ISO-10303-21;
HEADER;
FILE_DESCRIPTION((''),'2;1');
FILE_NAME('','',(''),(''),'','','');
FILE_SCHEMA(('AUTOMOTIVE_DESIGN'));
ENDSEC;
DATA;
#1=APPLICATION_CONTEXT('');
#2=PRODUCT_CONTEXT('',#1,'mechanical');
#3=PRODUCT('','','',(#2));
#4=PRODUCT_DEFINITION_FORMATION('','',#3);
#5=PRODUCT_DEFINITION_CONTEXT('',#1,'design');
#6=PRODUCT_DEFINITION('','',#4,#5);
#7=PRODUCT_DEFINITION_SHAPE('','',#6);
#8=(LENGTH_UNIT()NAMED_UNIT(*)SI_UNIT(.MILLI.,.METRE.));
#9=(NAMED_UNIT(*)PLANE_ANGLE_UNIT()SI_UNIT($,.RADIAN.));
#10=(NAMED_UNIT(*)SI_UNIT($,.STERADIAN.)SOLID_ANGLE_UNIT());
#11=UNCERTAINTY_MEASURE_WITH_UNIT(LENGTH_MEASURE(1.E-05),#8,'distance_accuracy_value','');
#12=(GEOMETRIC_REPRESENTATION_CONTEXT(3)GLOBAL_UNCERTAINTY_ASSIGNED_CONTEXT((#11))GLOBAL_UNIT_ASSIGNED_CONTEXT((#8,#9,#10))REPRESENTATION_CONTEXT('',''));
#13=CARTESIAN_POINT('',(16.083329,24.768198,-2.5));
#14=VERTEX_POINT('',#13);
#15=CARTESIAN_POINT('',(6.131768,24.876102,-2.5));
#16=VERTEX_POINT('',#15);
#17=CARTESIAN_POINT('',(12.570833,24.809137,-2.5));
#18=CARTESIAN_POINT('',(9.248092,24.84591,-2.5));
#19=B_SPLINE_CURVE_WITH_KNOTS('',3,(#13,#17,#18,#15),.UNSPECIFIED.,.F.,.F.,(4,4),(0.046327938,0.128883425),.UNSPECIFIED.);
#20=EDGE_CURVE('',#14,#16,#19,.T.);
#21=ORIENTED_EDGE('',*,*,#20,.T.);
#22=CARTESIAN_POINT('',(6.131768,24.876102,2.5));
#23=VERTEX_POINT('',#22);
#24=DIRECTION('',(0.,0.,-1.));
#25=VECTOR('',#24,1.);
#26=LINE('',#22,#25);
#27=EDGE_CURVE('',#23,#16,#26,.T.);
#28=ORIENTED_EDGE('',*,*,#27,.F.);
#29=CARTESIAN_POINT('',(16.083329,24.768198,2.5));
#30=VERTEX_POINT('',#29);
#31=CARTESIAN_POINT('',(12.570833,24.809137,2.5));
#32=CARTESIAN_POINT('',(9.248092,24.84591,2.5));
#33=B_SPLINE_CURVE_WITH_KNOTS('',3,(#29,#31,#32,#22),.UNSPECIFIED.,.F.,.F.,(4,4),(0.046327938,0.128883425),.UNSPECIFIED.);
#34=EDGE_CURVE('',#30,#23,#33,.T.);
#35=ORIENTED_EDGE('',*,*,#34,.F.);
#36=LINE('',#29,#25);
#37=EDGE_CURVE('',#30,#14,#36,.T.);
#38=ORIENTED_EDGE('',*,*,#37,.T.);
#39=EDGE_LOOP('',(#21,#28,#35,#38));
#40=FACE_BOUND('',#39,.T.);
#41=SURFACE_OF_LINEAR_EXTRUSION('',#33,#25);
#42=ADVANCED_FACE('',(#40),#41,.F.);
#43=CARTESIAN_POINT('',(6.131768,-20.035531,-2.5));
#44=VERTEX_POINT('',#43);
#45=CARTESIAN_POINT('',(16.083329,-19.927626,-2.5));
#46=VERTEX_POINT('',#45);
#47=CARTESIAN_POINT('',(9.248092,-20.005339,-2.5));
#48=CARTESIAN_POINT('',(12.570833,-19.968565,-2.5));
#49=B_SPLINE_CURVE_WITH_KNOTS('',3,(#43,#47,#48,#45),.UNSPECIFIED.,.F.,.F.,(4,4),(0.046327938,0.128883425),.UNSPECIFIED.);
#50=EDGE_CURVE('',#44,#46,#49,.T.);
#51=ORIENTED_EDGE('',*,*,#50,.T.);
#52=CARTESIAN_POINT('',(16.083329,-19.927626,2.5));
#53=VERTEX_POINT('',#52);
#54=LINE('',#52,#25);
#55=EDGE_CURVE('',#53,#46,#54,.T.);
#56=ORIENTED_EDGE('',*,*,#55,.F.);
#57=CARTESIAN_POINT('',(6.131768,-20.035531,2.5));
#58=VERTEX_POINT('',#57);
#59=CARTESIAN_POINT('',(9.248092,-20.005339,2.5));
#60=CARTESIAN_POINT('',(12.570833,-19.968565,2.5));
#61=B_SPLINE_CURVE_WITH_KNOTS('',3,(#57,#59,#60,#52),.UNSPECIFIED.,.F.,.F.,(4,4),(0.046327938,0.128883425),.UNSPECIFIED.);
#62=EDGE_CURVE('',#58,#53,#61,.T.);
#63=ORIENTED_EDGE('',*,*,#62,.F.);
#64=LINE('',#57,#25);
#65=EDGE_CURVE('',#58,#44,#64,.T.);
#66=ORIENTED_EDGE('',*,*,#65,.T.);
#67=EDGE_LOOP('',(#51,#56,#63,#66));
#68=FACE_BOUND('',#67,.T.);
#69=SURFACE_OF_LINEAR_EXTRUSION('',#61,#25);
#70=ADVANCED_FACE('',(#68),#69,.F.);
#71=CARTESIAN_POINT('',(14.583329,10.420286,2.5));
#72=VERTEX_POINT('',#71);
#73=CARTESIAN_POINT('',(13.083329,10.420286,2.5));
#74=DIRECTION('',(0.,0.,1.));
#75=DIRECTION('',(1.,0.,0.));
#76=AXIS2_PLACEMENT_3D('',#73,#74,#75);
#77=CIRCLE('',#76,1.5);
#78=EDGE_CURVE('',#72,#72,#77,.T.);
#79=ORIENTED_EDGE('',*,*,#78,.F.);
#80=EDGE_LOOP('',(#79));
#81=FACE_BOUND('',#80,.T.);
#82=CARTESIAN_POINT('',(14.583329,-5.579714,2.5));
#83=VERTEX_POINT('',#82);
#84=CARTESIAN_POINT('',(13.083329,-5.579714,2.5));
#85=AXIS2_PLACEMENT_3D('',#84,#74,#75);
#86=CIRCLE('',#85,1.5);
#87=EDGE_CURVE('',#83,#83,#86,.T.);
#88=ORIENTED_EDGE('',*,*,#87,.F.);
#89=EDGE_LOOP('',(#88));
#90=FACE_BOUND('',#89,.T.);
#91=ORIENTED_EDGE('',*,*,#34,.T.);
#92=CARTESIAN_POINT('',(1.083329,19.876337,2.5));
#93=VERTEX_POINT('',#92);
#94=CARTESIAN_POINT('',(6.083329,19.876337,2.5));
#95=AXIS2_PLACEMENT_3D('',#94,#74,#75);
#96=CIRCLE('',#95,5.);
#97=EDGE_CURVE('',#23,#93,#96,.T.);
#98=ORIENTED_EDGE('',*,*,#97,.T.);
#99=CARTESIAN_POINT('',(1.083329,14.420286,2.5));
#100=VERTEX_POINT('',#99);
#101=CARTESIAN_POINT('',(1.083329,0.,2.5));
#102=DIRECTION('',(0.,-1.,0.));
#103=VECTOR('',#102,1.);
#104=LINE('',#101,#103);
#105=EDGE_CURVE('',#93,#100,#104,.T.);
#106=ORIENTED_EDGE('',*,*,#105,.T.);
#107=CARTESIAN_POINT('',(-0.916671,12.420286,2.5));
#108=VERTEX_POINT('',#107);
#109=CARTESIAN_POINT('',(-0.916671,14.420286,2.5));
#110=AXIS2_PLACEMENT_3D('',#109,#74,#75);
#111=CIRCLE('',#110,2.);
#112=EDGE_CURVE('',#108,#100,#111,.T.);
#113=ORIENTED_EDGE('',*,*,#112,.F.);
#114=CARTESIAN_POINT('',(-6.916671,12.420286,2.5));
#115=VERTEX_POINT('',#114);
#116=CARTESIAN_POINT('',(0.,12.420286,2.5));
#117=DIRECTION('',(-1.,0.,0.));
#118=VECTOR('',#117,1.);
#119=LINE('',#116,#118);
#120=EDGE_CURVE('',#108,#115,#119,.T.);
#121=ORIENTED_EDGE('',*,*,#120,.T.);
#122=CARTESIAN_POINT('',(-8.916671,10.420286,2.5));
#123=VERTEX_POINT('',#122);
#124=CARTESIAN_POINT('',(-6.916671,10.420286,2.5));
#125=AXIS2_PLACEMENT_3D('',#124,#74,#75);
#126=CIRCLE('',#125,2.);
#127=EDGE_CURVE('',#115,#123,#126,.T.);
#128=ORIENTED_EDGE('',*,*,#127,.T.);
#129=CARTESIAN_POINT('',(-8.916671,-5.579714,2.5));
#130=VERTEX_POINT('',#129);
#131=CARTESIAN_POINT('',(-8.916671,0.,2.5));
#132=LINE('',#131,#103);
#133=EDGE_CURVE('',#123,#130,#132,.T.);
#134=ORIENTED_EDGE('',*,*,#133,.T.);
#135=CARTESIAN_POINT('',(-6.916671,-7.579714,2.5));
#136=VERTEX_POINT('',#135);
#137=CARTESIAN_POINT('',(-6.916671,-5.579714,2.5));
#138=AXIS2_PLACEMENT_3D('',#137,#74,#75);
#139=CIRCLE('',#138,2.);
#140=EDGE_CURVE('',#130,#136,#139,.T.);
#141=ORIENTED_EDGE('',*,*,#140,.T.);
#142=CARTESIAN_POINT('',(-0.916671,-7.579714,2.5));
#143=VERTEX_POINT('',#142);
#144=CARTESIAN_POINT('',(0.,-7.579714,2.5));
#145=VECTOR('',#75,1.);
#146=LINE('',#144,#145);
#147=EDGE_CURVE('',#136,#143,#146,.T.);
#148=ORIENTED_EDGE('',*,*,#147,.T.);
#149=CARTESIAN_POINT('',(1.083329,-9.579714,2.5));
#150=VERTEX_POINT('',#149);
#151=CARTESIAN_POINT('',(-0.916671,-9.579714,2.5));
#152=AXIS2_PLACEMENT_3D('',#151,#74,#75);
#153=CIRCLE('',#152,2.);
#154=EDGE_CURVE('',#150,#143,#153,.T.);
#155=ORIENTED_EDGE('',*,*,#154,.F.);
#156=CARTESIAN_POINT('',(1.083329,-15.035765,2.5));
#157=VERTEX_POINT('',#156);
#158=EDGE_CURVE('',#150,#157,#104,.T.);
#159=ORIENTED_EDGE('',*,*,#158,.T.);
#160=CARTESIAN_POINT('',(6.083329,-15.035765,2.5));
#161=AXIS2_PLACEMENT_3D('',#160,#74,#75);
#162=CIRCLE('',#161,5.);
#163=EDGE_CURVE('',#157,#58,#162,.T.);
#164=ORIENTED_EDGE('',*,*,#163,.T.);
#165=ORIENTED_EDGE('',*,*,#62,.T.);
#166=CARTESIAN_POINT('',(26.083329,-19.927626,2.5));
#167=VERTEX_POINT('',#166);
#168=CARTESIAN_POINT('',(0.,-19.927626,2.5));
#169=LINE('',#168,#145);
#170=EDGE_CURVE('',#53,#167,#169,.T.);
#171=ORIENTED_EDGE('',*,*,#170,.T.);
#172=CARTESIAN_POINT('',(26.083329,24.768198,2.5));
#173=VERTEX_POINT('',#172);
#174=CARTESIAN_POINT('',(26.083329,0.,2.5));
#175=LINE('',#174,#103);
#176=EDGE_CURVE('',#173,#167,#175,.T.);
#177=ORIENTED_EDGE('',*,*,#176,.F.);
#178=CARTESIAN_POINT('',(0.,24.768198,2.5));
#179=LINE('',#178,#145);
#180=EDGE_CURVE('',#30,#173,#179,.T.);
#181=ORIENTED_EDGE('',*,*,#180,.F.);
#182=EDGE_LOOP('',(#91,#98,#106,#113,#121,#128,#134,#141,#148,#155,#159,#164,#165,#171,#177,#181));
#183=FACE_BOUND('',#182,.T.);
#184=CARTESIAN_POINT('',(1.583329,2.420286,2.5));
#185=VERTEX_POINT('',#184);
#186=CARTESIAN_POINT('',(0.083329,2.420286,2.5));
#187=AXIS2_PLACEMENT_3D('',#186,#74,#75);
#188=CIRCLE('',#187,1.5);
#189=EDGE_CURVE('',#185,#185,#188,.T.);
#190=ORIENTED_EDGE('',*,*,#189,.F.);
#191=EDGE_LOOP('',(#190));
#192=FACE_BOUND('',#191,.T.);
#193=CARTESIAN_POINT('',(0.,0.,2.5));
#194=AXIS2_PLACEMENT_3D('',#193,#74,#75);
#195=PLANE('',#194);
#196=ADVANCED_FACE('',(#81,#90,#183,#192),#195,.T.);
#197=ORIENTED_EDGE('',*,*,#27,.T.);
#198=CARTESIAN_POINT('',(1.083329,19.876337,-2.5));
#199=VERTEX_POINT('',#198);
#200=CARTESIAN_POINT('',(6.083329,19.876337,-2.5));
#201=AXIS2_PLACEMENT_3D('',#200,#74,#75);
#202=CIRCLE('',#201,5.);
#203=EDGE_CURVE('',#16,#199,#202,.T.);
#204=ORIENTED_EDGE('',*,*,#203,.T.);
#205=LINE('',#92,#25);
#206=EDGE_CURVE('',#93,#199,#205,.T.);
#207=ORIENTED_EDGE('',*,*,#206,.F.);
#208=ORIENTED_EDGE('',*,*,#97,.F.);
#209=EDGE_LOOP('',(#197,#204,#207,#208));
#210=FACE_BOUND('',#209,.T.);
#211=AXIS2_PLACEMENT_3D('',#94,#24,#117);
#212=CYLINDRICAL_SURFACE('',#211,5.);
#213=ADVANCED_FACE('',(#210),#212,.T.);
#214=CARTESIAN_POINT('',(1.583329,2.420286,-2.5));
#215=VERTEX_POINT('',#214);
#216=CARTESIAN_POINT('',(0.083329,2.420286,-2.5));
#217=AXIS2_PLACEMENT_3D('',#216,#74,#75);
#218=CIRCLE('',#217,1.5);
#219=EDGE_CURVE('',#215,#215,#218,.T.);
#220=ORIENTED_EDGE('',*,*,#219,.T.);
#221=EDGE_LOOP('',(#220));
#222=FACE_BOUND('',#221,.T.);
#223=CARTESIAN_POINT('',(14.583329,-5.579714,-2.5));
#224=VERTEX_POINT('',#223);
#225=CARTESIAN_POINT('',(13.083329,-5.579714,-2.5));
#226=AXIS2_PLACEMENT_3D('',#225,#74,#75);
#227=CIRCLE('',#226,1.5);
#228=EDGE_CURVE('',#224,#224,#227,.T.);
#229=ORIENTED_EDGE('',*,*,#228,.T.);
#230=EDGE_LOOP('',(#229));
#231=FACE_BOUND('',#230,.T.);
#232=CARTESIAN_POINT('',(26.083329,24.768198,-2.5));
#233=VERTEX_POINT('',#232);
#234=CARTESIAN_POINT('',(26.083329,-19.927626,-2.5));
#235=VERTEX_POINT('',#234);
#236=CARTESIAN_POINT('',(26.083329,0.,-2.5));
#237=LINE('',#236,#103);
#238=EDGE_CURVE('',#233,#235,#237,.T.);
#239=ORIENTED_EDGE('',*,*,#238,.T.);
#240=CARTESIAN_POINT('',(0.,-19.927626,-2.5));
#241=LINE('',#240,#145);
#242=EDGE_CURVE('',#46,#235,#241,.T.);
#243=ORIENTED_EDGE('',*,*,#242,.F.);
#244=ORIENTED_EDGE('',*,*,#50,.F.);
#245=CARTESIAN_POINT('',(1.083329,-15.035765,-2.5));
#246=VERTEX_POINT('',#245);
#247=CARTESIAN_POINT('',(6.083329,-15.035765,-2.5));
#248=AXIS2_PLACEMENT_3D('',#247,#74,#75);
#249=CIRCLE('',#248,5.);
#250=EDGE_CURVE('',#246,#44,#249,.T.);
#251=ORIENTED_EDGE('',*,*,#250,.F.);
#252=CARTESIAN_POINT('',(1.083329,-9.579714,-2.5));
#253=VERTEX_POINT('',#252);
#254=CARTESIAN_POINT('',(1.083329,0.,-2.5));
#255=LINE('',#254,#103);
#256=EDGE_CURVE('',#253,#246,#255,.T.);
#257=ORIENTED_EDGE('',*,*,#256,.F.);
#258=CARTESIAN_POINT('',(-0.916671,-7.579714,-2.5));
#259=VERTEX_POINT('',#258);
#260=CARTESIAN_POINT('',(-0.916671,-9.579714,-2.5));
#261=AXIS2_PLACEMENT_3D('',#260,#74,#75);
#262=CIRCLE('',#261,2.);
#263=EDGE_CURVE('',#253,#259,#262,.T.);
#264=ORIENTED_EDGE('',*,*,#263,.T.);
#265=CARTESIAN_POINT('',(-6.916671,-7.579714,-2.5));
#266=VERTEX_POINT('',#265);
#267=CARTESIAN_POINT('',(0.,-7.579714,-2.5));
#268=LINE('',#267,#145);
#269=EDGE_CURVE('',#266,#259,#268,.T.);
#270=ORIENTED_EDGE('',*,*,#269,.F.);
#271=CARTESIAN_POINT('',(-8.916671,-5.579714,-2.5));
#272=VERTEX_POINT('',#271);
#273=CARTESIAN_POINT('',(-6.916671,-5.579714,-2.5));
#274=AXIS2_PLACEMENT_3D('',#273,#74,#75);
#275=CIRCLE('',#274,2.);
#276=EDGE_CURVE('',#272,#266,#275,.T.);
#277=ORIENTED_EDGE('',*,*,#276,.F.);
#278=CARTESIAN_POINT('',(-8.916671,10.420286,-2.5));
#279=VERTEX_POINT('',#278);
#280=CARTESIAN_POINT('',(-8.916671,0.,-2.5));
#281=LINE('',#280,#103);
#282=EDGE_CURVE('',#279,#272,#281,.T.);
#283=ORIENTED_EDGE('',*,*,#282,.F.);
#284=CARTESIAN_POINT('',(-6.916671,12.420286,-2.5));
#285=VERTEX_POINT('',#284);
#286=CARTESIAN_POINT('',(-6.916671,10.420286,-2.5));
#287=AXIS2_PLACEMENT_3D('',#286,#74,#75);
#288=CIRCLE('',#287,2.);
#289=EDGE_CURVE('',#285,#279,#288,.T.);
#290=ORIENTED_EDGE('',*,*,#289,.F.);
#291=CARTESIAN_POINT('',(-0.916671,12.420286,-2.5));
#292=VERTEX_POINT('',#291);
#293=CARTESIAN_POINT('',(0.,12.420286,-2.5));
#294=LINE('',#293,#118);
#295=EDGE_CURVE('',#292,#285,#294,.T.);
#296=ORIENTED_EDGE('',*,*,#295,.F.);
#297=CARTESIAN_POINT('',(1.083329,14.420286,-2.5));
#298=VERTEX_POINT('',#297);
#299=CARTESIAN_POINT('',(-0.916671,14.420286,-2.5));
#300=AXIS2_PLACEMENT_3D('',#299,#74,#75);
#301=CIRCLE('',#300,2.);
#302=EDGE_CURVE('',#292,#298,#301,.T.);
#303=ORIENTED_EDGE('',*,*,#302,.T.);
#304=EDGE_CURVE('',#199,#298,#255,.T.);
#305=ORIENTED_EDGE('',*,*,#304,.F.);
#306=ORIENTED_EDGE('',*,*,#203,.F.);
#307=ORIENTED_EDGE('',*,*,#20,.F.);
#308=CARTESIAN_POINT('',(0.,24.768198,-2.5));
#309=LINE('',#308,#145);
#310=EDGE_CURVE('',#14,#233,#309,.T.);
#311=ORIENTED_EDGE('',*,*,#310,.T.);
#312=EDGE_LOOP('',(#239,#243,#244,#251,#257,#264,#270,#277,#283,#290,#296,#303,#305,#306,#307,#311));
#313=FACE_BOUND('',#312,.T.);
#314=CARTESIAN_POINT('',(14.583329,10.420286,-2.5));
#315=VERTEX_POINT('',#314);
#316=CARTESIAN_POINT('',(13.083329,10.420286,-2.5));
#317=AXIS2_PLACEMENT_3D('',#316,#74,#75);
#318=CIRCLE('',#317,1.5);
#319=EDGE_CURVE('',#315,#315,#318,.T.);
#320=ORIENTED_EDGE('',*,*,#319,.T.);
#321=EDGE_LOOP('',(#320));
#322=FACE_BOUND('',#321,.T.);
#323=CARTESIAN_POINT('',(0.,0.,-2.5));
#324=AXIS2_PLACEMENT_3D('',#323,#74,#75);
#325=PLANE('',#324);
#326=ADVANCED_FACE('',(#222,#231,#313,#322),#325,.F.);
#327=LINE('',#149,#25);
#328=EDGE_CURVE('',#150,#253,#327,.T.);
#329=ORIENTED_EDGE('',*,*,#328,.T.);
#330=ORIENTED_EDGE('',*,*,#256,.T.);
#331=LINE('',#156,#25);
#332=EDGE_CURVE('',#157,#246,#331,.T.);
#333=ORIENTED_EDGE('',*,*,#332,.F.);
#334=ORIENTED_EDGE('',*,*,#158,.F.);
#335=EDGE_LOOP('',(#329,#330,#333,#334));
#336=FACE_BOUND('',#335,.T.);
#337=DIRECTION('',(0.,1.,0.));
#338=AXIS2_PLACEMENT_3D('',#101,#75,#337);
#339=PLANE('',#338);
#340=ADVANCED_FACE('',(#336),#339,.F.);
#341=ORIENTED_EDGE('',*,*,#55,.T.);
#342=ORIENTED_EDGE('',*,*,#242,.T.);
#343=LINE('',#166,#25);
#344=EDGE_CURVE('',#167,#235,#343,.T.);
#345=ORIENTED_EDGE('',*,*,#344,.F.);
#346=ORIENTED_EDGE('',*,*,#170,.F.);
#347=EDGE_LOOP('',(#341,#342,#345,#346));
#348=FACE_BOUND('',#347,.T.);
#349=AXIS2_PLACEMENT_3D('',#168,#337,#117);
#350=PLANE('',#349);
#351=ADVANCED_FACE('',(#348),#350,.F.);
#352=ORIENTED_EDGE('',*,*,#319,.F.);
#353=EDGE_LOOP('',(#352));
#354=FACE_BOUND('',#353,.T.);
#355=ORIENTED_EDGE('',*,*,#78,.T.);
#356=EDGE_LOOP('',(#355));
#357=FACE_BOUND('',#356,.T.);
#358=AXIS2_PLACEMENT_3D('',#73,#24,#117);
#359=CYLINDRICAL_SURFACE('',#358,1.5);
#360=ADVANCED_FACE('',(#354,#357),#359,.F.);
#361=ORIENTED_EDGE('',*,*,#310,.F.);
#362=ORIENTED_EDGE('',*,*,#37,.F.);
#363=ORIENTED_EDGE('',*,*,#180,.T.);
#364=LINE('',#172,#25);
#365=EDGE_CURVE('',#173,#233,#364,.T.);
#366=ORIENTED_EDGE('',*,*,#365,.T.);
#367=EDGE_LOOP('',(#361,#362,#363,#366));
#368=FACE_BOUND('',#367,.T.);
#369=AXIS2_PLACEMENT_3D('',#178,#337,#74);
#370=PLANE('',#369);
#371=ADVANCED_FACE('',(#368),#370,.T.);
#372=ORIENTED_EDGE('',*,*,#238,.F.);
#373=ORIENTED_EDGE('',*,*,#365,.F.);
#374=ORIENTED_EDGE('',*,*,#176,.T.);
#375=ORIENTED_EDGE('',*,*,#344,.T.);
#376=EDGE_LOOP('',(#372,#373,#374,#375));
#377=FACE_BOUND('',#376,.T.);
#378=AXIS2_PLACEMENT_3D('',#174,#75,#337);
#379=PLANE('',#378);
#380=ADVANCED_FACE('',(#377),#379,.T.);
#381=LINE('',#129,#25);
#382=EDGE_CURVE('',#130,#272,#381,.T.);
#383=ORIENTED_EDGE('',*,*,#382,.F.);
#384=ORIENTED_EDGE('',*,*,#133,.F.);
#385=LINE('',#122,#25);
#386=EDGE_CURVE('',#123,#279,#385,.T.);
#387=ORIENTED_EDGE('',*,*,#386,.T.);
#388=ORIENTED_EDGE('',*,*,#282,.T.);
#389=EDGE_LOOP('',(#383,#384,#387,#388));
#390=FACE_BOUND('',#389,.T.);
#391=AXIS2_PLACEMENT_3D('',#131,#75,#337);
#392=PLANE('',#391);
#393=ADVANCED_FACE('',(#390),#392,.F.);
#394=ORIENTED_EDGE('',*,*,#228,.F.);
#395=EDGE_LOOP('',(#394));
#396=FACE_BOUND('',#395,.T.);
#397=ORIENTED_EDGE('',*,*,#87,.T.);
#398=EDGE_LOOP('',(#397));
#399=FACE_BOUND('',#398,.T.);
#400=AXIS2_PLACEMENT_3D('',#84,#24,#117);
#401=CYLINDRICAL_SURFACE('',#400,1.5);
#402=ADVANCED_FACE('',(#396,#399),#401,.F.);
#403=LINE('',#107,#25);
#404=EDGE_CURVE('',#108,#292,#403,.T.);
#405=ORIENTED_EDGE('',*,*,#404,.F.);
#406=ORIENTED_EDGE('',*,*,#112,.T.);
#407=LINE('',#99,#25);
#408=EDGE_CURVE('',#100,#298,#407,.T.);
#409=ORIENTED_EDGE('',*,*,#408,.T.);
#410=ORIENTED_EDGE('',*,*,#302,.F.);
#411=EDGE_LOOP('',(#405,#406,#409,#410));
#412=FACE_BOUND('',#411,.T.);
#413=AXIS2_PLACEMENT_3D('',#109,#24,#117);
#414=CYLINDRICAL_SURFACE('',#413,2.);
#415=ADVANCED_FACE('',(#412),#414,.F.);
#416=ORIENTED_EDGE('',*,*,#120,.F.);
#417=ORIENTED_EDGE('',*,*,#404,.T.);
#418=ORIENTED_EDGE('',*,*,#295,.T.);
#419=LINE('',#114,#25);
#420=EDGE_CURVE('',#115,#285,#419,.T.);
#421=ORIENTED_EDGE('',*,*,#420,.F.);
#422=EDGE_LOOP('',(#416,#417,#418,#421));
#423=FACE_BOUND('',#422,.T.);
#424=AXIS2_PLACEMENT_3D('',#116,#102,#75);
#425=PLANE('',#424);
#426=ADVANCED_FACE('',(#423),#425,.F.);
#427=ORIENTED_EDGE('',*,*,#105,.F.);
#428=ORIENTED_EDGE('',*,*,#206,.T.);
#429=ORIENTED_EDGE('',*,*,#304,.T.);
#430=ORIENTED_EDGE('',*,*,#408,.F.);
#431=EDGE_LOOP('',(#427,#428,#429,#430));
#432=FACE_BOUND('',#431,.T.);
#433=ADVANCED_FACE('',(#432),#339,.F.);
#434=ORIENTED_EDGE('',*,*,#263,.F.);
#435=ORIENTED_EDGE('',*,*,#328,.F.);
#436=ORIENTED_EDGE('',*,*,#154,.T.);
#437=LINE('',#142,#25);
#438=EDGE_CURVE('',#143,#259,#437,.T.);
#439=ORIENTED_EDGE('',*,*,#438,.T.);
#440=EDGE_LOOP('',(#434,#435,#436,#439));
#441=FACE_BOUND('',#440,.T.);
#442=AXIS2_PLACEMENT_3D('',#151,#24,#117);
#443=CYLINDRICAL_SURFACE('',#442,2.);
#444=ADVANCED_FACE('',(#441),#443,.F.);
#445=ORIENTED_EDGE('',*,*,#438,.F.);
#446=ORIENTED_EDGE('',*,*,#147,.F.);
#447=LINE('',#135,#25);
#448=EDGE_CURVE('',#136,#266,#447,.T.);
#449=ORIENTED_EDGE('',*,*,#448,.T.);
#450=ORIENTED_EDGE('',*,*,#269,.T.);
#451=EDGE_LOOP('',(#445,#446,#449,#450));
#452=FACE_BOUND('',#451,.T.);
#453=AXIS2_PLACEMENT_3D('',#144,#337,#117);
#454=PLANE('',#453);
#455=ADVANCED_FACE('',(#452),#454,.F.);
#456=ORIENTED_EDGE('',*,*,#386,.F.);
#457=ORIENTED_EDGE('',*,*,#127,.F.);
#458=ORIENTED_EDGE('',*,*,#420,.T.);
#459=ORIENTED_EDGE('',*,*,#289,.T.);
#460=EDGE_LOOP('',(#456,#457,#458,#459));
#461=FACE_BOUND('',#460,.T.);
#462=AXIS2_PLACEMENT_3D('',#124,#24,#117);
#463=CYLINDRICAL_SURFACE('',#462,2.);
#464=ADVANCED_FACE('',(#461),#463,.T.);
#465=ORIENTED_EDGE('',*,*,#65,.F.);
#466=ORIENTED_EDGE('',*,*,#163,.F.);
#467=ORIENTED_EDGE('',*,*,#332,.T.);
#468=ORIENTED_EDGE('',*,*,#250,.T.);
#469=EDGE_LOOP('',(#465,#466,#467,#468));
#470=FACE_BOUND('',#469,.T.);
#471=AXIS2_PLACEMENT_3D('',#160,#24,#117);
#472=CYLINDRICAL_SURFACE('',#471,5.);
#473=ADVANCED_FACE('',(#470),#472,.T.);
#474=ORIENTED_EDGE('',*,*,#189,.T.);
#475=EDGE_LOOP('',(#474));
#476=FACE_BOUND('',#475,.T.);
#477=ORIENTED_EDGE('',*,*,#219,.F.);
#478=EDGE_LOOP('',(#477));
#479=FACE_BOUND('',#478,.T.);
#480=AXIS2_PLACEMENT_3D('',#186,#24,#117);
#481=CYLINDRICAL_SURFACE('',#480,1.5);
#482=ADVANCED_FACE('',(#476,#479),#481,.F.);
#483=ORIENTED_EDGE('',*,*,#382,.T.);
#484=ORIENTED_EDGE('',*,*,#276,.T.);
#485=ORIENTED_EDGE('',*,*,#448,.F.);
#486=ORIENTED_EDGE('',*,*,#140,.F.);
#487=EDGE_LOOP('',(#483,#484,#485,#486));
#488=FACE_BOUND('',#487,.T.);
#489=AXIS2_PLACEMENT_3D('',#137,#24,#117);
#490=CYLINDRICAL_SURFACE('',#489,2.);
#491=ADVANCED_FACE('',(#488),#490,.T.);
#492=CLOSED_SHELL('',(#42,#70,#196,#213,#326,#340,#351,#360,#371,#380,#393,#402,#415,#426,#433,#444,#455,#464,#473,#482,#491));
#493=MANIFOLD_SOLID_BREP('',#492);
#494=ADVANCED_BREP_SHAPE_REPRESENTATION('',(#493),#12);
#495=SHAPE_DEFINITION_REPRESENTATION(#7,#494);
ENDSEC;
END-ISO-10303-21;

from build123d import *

# Parameters (mm, degrees)
SKETCH1_R           = 1.5
BOSS_EXTRUDE1_DEPTH = 2.5


with BuildPart() as part:
    # Sketch1 → Boss-Extrude1 (new, symmetric)
    with BuildSketch(Plane.XY):
        with BuildLine():
            Line((1.083328706, 19.876336974), (1.083328706, 14.420285823))
            ThreePointArc((1.083328706, 14.420285823), (0.497542269, 13.006072261), (-0.916671294, 12.420285823))
            Line((-0.916671294, 12.420285823), (-6.916671294, 12.420285823))
            ThreePointArc((-6.916671294, 12.420285823), (-8.330884856, 11.834499385), (-8.916671294, 10.420285823))
            Line((-8.916671294, 10.420285823), (-8.916671294, -5.579714177))
            ThreePointArc((-8.916671294, -5.579714177), (-8.330884856, -6.993927739), (-6.916671294, -7.579714177))
            Line((-6.916671294, -7.579714177), (-0.916671294, -7.579714177))
            ThreePointArc((-0.916671294, -7.579714177), (0.497542269, -8.165500615), (1.083328706, -9.579714177))
            Line((1.083328706, -9.579714177), (1.083328706, -15.035765328))
            ThreePointArc((1.083328706, -15.035765328), (2.564962353, -18.588383827), (6.131767987, -20.035530686))
            add(Edge.make_bspline(
                [(6.131767987, -20.035530686), (9.248092377, -20.005338767), (12.570832777, -19.968565053), (16.083328706, -19.927626228)],
                knots=[0.046327938, 0.046327938, 0.046327938, 0.046327938, 0.128883425, 0.128883425, 0.128883425, 0.128883425], degree=3))
            Line((16.083328706, -19.927626228), (26.083328706, -19.927626228))
            Line((26.083328706, -19.927626228), (26.083328706, 24.768197874))
            Line((26.083328706, 24.768197874), (16.083328706, 24.768197874))
            add(Edge.make_bspline(
                [(16.083328706, 24.768197874), (12.570832777, 24.809136699), (9.248092377, 24.845910412), (6.131767987, 24.876102332)],
                knots=[0.046327938, 0.046327938, 0.046327938, 0.046327938, 0.128883425, 0.128883425, 0.128883425, 0.128883425], degree=3))
            ThreePointArc((6.131767987, 24.876102332), (2.564962353, 23.428955473), (1.083328706, 19.876336974))
        make_face()
        with Locations((13.083328706, 10.420285823)):
            Circle(SKETCH1_R, mode=Mode.SUBTRACT)
        with Locations((0.083328706, 2.420285823)):
            Circle(SKETCH1_R, mode=Mode.SUBTRACT)
        with Locations((13.083328706, -5.579714177)):
            Circle(SKETCH1_R, mode=Mode.SUBTRACT)
    extrude(amount=BOSS_EXTRUDE1_DEPTH, both=True)


solid = part.part
